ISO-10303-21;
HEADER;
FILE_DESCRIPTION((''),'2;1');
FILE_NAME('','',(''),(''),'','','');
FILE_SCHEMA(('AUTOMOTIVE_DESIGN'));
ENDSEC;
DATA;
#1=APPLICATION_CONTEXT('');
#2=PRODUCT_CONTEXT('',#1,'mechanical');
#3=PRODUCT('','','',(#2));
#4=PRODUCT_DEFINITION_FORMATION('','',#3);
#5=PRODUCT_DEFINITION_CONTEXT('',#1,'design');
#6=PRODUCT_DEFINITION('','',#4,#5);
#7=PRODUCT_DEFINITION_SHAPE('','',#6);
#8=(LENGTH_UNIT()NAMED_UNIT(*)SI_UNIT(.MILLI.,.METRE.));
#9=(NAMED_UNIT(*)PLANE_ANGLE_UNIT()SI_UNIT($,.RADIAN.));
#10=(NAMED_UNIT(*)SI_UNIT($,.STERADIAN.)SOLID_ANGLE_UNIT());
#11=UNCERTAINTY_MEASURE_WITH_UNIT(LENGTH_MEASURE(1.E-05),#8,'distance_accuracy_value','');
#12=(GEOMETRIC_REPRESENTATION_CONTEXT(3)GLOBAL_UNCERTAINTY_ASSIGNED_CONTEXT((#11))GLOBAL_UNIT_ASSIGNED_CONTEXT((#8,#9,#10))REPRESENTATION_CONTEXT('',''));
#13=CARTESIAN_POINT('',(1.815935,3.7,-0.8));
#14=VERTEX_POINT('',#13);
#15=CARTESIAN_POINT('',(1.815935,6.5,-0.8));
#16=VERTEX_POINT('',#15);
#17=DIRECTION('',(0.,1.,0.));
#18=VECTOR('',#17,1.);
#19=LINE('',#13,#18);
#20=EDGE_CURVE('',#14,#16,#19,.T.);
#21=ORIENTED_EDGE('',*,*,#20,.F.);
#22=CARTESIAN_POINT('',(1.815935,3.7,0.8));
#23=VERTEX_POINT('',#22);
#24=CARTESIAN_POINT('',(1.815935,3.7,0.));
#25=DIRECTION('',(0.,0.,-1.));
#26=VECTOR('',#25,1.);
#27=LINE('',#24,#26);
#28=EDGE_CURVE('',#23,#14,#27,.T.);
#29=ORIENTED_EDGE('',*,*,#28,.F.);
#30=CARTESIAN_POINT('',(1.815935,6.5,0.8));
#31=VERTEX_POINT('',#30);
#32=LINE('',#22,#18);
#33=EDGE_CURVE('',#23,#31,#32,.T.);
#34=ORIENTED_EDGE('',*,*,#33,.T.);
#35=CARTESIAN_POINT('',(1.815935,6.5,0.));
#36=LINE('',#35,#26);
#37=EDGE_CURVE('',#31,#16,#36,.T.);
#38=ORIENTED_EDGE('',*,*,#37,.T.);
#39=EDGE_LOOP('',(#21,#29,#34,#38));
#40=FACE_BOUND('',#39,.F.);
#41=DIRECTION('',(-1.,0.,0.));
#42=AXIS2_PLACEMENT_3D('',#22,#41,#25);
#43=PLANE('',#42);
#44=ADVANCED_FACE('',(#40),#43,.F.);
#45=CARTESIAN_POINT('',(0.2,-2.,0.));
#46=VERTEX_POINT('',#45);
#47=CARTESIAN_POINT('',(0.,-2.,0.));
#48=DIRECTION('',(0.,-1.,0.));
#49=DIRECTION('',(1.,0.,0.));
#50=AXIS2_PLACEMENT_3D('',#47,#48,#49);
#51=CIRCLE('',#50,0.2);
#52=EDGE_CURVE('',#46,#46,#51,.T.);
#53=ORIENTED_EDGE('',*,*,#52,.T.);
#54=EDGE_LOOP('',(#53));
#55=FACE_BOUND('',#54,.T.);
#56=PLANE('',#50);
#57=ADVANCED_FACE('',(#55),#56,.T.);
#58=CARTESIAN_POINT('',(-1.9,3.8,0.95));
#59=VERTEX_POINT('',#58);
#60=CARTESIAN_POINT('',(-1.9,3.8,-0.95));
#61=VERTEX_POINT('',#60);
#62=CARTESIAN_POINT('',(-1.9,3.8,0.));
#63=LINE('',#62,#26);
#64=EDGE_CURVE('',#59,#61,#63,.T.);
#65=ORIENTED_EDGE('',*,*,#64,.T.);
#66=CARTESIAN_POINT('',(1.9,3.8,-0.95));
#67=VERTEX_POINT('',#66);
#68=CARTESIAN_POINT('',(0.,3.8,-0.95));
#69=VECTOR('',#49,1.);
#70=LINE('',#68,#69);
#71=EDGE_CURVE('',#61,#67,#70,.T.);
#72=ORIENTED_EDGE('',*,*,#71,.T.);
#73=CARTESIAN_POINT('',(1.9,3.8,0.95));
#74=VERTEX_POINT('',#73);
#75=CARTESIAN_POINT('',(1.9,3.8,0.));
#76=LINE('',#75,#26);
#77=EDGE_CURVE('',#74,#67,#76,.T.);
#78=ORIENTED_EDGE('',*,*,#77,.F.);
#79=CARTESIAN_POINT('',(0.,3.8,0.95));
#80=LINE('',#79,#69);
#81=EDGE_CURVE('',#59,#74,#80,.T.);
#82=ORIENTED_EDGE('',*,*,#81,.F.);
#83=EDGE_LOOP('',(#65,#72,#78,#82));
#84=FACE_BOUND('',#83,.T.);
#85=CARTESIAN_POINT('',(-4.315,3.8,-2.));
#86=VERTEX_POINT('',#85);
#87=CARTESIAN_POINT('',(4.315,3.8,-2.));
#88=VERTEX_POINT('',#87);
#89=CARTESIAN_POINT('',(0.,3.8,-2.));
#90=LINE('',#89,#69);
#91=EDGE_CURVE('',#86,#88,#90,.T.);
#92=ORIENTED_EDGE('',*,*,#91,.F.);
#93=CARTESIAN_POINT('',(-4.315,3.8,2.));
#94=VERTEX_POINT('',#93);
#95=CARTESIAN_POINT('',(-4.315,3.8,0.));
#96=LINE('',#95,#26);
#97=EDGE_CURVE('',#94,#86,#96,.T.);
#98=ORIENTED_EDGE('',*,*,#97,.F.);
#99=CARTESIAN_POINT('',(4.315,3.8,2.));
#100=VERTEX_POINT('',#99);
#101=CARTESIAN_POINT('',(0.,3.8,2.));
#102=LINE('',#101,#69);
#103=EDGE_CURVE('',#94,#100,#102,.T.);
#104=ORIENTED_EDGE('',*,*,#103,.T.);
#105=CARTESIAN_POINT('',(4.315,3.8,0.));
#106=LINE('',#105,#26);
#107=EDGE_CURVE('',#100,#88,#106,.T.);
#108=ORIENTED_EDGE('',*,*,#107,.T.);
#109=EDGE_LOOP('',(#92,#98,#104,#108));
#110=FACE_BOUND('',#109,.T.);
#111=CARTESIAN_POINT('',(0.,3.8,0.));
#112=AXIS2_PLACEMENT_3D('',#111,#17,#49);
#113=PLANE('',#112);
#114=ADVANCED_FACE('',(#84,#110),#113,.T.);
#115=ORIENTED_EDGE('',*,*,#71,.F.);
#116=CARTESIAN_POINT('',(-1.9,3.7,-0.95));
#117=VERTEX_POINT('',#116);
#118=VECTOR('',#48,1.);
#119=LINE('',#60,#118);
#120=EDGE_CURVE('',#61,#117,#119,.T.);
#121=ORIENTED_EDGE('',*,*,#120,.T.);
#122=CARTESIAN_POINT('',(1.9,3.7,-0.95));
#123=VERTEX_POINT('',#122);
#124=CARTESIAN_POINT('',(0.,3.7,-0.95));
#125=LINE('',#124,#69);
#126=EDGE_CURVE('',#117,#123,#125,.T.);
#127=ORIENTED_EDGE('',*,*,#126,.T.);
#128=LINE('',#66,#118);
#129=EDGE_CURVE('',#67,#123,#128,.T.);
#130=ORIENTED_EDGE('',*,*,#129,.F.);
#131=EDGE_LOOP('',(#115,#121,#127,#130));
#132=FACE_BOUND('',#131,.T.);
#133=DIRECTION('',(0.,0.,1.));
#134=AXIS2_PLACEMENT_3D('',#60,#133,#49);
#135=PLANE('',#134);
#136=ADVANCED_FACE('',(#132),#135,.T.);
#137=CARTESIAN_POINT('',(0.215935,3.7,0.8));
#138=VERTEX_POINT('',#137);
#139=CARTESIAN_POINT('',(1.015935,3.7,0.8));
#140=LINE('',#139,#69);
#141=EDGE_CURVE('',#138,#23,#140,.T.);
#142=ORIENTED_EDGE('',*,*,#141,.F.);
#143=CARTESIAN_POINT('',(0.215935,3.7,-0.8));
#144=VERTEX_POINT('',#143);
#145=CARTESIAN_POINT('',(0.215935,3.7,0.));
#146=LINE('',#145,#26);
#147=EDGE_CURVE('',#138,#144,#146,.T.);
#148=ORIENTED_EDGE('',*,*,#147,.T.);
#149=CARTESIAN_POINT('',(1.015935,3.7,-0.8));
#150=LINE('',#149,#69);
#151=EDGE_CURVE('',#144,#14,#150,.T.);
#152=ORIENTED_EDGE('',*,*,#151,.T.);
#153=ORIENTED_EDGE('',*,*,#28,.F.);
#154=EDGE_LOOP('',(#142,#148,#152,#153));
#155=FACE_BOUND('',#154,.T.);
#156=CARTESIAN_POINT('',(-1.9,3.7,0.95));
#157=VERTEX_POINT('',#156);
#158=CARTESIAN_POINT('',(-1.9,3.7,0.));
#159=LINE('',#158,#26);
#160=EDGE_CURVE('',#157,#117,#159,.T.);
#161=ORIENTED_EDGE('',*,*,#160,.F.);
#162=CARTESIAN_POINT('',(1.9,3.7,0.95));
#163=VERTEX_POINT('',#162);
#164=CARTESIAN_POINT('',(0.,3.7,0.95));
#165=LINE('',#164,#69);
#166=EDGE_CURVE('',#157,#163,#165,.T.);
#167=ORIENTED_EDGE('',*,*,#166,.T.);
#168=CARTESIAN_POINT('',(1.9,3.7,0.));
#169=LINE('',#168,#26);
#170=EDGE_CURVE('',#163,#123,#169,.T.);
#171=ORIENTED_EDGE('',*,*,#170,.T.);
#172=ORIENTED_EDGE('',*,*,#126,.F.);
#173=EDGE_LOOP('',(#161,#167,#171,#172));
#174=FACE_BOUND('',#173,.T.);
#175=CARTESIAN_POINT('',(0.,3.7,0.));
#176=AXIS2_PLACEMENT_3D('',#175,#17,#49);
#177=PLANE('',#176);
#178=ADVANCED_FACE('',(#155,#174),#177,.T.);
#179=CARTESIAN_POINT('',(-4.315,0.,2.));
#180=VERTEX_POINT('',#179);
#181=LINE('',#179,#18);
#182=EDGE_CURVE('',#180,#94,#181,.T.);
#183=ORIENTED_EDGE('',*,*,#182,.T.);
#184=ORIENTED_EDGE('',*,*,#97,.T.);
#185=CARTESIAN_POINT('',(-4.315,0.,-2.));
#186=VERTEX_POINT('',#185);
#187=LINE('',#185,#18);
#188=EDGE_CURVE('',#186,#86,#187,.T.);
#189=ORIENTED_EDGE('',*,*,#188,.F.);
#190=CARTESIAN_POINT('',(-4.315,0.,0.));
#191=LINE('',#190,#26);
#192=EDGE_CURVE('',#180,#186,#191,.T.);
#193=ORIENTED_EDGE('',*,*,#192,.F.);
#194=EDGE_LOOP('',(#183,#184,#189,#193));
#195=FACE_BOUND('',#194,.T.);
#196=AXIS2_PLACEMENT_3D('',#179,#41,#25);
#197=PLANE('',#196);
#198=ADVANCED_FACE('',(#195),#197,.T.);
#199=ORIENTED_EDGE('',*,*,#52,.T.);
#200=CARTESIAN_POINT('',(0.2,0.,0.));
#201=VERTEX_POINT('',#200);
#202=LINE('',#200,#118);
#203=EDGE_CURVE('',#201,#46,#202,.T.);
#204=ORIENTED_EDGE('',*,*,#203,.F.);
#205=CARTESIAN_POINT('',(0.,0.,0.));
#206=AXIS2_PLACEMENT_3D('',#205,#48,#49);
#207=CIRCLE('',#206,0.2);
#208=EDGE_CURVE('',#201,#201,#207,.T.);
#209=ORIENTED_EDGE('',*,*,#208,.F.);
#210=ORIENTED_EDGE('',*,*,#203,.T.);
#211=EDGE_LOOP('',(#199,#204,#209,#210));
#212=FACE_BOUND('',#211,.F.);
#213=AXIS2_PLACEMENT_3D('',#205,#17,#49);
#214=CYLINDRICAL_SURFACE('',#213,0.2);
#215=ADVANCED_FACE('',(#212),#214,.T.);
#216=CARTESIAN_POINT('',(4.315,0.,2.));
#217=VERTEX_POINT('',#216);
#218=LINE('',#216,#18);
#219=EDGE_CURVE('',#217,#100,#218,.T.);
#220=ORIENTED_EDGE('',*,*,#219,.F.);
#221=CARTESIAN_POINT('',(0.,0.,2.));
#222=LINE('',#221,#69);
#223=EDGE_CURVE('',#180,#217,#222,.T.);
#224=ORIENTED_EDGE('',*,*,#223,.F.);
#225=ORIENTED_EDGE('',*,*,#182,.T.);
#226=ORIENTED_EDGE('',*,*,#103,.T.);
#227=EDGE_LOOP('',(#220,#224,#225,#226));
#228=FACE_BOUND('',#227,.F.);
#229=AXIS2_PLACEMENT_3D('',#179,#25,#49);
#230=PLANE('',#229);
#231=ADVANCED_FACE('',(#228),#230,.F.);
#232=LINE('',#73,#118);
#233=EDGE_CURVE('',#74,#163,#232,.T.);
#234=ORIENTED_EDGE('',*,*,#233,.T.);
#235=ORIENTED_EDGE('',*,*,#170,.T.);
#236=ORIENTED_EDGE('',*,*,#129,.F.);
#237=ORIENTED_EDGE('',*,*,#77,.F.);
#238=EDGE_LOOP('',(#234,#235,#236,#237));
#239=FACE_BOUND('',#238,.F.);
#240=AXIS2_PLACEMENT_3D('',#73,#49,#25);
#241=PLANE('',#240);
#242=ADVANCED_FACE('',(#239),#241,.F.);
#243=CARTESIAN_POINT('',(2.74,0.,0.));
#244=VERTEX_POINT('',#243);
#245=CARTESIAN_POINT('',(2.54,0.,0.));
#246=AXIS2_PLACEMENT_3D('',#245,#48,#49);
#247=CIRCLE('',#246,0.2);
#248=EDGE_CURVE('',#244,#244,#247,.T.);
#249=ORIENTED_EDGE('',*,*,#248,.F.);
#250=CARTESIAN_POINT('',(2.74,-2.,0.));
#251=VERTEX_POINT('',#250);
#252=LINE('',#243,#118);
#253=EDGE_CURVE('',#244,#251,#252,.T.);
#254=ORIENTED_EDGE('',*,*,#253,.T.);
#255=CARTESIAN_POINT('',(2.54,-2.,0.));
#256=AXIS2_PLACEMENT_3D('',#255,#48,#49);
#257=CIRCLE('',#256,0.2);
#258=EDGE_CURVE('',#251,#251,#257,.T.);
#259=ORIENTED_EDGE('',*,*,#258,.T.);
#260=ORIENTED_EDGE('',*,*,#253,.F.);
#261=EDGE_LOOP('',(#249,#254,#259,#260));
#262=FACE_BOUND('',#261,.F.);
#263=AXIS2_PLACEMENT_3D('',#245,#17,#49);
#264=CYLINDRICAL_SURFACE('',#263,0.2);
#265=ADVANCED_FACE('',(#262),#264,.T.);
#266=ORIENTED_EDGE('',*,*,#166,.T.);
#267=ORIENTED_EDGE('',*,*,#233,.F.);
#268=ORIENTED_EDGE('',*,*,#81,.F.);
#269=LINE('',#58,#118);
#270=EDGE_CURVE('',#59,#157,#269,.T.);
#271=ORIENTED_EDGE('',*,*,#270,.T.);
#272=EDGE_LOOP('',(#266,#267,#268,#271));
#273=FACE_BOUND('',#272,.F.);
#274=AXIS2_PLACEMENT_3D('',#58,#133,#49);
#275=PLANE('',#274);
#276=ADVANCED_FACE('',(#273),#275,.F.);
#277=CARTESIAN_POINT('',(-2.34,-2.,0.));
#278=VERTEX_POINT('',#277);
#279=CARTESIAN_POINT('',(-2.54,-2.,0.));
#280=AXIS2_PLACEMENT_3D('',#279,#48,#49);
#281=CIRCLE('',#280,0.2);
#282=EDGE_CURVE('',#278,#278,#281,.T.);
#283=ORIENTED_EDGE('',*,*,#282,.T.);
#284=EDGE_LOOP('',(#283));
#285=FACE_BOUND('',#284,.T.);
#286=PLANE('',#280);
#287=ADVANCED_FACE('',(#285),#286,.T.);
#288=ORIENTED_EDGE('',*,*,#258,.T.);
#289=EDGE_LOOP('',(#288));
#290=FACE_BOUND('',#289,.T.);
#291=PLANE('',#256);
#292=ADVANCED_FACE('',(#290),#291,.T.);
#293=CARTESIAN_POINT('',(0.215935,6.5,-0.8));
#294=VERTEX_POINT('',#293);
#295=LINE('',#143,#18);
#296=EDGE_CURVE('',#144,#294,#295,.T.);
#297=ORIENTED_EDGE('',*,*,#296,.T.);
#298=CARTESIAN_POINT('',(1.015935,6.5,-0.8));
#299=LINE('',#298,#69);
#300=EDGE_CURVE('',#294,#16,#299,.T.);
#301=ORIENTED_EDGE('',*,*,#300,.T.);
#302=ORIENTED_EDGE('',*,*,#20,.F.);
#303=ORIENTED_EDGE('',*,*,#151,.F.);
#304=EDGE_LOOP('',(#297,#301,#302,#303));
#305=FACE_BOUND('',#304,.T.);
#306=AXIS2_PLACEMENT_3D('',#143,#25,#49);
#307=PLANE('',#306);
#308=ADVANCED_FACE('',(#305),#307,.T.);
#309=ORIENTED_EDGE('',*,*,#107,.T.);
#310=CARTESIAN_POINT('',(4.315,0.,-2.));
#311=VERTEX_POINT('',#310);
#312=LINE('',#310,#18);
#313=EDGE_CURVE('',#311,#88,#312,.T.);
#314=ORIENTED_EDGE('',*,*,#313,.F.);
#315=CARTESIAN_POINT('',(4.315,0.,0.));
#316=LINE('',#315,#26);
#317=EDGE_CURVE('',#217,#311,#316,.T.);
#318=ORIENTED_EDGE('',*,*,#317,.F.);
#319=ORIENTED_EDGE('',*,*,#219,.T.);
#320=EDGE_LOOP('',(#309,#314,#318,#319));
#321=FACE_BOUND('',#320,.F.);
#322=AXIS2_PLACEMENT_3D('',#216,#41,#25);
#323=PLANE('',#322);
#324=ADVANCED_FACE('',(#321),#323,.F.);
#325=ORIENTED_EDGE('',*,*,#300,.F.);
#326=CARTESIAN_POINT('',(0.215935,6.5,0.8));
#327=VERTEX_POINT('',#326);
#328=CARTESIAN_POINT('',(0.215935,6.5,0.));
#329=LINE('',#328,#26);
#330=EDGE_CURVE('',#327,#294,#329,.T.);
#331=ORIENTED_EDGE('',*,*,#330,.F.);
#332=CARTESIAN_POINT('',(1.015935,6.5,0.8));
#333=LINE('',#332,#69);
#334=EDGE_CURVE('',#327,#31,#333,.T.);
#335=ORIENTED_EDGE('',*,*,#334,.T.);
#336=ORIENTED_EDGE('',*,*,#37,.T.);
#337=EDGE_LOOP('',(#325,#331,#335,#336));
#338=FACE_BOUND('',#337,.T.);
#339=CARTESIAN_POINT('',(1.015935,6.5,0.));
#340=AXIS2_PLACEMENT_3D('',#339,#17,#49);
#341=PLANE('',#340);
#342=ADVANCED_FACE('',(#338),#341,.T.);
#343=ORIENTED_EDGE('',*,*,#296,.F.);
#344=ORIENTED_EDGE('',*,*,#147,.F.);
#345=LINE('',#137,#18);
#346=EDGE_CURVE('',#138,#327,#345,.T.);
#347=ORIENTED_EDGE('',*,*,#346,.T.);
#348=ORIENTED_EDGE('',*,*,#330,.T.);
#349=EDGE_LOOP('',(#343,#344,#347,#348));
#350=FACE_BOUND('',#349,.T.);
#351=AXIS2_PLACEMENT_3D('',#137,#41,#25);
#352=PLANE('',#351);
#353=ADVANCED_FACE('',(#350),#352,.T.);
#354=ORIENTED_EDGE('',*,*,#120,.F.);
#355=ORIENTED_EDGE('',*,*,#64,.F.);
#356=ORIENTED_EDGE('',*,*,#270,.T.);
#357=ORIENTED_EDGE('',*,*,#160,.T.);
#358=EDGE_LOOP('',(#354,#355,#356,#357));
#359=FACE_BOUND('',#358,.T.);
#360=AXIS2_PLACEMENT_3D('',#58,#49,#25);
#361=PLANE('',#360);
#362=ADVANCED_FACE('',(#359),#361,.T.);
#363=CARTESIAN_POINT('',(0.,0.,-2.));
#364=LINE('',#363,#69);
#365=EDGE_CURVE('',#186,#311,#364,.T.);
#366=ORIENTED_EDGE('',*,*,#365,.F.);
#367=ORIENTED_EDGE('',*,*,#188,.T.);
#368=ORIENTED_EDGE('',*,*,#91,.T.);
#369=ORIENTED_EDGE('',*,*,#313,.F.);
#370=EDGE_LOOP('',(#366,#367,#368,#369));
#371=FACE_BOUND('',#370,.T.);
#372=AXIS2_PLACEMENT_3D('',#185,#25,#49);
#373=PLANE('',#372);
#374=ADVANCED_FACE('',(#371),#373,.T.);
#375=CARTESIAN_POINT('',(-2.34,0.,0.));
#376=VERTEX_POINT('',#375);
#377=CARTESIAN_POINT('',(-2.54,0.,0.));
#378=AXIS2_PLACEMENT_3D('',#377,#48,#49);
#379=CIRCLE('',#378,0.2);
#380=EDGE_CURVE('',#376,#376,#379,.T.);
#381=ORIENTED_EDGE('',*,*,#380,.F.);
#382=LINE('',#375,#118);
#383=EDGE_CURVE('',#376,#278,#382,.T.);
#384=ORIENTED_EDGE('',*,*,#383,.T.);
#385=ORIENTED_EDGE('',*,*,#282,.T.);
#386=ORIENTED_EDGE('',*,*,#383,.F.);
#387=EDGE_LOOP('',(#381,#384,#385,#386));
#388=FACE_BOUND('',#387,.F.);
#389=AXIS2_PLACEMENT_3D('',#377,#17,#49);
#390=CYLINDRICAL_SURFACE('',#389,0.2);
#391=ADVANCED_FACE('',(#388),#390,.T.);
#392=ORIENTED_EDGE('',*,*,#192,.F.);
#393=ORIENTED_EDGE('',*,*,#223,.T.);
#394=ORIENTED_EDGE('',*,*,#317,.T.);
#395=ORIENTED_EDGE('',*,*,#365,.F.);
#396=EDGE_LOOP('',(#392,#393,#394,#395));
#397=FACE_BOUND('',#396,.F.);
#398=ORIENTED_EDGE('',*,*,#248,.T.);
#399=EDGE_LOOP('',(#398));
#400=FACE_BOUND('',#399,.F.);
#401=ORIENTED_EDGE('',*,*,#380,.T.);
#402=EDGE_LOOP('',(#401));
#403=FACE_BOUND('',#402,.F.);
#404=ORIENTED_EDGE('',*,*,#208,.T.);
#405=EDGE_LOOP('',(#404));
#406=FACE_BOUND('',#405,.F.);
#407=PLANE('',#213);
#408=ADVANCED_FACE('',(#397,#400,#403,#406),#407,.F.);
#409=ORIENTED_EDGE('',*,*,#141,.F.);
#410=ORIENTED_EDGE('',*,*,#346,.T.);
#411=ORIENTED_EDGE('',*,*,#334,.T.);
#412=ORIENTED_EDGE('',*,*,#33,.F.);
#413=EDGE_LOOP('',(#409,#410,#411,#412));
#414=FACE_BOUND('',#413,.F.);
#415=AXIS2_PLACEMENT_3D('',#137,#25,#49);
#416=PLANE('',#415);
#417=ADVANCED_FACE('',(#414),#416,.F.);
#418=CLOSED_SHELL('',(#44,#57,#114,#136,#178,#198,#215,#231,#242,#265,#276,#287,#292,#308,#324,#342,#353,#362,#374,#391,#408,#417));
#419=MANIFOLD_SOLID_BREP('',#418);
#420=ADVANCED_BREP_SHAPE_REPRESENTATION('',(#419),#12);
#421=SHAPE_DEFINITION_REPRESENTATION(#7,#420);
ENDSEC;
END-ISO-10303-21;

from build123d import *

# Parameters (mm, degrees)
SKETCH_1_W          = 8.63
SKETCH_1_H          = 4
EXTRUDE_1_DEPTH     = 3.8
SKETCH_2_W          = 3.8
SKETCH_2_H          = 1.9
CUT_EXTRUDE_1_DEPTH = 0.1
SKETCH_3_W          = 1.6
SKETCH_3_H          = 1.6
EXTRUDE_2_DEPTH     = 2.8
SKETCH_4_R          = 0.2
EXTRUDE_3_DEPTH     = 2


with BuildPart() as part:
    # Эскиз1 → Бобышка-Вытянуть1 (new body)
    with BuildSketch(Plane(origin=(0, 0, 0), x_dir=(1, 0, 0), z_dir=(0, 1, 0))):
        Rectangle(SKETCH_1_W, SKETCH_1_H)
    extrude(amount=EXTRUDE_1_DEPTH)

    # Эскиз2 → Вырез-Вытянуть1 (cut)
    with BuildSketch(Plane(origin=(0, 3.8, 0), x_dir=(1, 0, 0), z_dir=(0, 1, 0))):
        Rectangle(SKETCH_2_W, SKETCH_2_H)
    extrude(amount=-CUT_EXTRUDE_1_DEPTH, mode=Mode.SUBTRACT)

    # Эскиз3 → Бобышка-Вытянуть2 (add)
    with BuildSketch(Plane(origin=(0, 3.7, 0), x_dir=(1, 0, 0), z_dir=(0, 1, 0))):
        with Locations((1.01593525, 0)):
            Rectangle(SKETCH_3_W, SKETCH_3_H)
    extrude(amount=EXTRUDE_2_DEPTH)

    # Эскиз4 → Бобышка-Вытянуть3 (add)
    with BuildSketch(Plane.XZ):
        with Locations((-2.54, 0)):
            Circle(SKETCH_4_R)
        Circle(SKETCH_4_R)
        with Locations((2.54, 0)):
            Circle(SKETCH_4_R)
    extrude(amount=EXTRUDE_3_DEPTH)


solid = part.part
